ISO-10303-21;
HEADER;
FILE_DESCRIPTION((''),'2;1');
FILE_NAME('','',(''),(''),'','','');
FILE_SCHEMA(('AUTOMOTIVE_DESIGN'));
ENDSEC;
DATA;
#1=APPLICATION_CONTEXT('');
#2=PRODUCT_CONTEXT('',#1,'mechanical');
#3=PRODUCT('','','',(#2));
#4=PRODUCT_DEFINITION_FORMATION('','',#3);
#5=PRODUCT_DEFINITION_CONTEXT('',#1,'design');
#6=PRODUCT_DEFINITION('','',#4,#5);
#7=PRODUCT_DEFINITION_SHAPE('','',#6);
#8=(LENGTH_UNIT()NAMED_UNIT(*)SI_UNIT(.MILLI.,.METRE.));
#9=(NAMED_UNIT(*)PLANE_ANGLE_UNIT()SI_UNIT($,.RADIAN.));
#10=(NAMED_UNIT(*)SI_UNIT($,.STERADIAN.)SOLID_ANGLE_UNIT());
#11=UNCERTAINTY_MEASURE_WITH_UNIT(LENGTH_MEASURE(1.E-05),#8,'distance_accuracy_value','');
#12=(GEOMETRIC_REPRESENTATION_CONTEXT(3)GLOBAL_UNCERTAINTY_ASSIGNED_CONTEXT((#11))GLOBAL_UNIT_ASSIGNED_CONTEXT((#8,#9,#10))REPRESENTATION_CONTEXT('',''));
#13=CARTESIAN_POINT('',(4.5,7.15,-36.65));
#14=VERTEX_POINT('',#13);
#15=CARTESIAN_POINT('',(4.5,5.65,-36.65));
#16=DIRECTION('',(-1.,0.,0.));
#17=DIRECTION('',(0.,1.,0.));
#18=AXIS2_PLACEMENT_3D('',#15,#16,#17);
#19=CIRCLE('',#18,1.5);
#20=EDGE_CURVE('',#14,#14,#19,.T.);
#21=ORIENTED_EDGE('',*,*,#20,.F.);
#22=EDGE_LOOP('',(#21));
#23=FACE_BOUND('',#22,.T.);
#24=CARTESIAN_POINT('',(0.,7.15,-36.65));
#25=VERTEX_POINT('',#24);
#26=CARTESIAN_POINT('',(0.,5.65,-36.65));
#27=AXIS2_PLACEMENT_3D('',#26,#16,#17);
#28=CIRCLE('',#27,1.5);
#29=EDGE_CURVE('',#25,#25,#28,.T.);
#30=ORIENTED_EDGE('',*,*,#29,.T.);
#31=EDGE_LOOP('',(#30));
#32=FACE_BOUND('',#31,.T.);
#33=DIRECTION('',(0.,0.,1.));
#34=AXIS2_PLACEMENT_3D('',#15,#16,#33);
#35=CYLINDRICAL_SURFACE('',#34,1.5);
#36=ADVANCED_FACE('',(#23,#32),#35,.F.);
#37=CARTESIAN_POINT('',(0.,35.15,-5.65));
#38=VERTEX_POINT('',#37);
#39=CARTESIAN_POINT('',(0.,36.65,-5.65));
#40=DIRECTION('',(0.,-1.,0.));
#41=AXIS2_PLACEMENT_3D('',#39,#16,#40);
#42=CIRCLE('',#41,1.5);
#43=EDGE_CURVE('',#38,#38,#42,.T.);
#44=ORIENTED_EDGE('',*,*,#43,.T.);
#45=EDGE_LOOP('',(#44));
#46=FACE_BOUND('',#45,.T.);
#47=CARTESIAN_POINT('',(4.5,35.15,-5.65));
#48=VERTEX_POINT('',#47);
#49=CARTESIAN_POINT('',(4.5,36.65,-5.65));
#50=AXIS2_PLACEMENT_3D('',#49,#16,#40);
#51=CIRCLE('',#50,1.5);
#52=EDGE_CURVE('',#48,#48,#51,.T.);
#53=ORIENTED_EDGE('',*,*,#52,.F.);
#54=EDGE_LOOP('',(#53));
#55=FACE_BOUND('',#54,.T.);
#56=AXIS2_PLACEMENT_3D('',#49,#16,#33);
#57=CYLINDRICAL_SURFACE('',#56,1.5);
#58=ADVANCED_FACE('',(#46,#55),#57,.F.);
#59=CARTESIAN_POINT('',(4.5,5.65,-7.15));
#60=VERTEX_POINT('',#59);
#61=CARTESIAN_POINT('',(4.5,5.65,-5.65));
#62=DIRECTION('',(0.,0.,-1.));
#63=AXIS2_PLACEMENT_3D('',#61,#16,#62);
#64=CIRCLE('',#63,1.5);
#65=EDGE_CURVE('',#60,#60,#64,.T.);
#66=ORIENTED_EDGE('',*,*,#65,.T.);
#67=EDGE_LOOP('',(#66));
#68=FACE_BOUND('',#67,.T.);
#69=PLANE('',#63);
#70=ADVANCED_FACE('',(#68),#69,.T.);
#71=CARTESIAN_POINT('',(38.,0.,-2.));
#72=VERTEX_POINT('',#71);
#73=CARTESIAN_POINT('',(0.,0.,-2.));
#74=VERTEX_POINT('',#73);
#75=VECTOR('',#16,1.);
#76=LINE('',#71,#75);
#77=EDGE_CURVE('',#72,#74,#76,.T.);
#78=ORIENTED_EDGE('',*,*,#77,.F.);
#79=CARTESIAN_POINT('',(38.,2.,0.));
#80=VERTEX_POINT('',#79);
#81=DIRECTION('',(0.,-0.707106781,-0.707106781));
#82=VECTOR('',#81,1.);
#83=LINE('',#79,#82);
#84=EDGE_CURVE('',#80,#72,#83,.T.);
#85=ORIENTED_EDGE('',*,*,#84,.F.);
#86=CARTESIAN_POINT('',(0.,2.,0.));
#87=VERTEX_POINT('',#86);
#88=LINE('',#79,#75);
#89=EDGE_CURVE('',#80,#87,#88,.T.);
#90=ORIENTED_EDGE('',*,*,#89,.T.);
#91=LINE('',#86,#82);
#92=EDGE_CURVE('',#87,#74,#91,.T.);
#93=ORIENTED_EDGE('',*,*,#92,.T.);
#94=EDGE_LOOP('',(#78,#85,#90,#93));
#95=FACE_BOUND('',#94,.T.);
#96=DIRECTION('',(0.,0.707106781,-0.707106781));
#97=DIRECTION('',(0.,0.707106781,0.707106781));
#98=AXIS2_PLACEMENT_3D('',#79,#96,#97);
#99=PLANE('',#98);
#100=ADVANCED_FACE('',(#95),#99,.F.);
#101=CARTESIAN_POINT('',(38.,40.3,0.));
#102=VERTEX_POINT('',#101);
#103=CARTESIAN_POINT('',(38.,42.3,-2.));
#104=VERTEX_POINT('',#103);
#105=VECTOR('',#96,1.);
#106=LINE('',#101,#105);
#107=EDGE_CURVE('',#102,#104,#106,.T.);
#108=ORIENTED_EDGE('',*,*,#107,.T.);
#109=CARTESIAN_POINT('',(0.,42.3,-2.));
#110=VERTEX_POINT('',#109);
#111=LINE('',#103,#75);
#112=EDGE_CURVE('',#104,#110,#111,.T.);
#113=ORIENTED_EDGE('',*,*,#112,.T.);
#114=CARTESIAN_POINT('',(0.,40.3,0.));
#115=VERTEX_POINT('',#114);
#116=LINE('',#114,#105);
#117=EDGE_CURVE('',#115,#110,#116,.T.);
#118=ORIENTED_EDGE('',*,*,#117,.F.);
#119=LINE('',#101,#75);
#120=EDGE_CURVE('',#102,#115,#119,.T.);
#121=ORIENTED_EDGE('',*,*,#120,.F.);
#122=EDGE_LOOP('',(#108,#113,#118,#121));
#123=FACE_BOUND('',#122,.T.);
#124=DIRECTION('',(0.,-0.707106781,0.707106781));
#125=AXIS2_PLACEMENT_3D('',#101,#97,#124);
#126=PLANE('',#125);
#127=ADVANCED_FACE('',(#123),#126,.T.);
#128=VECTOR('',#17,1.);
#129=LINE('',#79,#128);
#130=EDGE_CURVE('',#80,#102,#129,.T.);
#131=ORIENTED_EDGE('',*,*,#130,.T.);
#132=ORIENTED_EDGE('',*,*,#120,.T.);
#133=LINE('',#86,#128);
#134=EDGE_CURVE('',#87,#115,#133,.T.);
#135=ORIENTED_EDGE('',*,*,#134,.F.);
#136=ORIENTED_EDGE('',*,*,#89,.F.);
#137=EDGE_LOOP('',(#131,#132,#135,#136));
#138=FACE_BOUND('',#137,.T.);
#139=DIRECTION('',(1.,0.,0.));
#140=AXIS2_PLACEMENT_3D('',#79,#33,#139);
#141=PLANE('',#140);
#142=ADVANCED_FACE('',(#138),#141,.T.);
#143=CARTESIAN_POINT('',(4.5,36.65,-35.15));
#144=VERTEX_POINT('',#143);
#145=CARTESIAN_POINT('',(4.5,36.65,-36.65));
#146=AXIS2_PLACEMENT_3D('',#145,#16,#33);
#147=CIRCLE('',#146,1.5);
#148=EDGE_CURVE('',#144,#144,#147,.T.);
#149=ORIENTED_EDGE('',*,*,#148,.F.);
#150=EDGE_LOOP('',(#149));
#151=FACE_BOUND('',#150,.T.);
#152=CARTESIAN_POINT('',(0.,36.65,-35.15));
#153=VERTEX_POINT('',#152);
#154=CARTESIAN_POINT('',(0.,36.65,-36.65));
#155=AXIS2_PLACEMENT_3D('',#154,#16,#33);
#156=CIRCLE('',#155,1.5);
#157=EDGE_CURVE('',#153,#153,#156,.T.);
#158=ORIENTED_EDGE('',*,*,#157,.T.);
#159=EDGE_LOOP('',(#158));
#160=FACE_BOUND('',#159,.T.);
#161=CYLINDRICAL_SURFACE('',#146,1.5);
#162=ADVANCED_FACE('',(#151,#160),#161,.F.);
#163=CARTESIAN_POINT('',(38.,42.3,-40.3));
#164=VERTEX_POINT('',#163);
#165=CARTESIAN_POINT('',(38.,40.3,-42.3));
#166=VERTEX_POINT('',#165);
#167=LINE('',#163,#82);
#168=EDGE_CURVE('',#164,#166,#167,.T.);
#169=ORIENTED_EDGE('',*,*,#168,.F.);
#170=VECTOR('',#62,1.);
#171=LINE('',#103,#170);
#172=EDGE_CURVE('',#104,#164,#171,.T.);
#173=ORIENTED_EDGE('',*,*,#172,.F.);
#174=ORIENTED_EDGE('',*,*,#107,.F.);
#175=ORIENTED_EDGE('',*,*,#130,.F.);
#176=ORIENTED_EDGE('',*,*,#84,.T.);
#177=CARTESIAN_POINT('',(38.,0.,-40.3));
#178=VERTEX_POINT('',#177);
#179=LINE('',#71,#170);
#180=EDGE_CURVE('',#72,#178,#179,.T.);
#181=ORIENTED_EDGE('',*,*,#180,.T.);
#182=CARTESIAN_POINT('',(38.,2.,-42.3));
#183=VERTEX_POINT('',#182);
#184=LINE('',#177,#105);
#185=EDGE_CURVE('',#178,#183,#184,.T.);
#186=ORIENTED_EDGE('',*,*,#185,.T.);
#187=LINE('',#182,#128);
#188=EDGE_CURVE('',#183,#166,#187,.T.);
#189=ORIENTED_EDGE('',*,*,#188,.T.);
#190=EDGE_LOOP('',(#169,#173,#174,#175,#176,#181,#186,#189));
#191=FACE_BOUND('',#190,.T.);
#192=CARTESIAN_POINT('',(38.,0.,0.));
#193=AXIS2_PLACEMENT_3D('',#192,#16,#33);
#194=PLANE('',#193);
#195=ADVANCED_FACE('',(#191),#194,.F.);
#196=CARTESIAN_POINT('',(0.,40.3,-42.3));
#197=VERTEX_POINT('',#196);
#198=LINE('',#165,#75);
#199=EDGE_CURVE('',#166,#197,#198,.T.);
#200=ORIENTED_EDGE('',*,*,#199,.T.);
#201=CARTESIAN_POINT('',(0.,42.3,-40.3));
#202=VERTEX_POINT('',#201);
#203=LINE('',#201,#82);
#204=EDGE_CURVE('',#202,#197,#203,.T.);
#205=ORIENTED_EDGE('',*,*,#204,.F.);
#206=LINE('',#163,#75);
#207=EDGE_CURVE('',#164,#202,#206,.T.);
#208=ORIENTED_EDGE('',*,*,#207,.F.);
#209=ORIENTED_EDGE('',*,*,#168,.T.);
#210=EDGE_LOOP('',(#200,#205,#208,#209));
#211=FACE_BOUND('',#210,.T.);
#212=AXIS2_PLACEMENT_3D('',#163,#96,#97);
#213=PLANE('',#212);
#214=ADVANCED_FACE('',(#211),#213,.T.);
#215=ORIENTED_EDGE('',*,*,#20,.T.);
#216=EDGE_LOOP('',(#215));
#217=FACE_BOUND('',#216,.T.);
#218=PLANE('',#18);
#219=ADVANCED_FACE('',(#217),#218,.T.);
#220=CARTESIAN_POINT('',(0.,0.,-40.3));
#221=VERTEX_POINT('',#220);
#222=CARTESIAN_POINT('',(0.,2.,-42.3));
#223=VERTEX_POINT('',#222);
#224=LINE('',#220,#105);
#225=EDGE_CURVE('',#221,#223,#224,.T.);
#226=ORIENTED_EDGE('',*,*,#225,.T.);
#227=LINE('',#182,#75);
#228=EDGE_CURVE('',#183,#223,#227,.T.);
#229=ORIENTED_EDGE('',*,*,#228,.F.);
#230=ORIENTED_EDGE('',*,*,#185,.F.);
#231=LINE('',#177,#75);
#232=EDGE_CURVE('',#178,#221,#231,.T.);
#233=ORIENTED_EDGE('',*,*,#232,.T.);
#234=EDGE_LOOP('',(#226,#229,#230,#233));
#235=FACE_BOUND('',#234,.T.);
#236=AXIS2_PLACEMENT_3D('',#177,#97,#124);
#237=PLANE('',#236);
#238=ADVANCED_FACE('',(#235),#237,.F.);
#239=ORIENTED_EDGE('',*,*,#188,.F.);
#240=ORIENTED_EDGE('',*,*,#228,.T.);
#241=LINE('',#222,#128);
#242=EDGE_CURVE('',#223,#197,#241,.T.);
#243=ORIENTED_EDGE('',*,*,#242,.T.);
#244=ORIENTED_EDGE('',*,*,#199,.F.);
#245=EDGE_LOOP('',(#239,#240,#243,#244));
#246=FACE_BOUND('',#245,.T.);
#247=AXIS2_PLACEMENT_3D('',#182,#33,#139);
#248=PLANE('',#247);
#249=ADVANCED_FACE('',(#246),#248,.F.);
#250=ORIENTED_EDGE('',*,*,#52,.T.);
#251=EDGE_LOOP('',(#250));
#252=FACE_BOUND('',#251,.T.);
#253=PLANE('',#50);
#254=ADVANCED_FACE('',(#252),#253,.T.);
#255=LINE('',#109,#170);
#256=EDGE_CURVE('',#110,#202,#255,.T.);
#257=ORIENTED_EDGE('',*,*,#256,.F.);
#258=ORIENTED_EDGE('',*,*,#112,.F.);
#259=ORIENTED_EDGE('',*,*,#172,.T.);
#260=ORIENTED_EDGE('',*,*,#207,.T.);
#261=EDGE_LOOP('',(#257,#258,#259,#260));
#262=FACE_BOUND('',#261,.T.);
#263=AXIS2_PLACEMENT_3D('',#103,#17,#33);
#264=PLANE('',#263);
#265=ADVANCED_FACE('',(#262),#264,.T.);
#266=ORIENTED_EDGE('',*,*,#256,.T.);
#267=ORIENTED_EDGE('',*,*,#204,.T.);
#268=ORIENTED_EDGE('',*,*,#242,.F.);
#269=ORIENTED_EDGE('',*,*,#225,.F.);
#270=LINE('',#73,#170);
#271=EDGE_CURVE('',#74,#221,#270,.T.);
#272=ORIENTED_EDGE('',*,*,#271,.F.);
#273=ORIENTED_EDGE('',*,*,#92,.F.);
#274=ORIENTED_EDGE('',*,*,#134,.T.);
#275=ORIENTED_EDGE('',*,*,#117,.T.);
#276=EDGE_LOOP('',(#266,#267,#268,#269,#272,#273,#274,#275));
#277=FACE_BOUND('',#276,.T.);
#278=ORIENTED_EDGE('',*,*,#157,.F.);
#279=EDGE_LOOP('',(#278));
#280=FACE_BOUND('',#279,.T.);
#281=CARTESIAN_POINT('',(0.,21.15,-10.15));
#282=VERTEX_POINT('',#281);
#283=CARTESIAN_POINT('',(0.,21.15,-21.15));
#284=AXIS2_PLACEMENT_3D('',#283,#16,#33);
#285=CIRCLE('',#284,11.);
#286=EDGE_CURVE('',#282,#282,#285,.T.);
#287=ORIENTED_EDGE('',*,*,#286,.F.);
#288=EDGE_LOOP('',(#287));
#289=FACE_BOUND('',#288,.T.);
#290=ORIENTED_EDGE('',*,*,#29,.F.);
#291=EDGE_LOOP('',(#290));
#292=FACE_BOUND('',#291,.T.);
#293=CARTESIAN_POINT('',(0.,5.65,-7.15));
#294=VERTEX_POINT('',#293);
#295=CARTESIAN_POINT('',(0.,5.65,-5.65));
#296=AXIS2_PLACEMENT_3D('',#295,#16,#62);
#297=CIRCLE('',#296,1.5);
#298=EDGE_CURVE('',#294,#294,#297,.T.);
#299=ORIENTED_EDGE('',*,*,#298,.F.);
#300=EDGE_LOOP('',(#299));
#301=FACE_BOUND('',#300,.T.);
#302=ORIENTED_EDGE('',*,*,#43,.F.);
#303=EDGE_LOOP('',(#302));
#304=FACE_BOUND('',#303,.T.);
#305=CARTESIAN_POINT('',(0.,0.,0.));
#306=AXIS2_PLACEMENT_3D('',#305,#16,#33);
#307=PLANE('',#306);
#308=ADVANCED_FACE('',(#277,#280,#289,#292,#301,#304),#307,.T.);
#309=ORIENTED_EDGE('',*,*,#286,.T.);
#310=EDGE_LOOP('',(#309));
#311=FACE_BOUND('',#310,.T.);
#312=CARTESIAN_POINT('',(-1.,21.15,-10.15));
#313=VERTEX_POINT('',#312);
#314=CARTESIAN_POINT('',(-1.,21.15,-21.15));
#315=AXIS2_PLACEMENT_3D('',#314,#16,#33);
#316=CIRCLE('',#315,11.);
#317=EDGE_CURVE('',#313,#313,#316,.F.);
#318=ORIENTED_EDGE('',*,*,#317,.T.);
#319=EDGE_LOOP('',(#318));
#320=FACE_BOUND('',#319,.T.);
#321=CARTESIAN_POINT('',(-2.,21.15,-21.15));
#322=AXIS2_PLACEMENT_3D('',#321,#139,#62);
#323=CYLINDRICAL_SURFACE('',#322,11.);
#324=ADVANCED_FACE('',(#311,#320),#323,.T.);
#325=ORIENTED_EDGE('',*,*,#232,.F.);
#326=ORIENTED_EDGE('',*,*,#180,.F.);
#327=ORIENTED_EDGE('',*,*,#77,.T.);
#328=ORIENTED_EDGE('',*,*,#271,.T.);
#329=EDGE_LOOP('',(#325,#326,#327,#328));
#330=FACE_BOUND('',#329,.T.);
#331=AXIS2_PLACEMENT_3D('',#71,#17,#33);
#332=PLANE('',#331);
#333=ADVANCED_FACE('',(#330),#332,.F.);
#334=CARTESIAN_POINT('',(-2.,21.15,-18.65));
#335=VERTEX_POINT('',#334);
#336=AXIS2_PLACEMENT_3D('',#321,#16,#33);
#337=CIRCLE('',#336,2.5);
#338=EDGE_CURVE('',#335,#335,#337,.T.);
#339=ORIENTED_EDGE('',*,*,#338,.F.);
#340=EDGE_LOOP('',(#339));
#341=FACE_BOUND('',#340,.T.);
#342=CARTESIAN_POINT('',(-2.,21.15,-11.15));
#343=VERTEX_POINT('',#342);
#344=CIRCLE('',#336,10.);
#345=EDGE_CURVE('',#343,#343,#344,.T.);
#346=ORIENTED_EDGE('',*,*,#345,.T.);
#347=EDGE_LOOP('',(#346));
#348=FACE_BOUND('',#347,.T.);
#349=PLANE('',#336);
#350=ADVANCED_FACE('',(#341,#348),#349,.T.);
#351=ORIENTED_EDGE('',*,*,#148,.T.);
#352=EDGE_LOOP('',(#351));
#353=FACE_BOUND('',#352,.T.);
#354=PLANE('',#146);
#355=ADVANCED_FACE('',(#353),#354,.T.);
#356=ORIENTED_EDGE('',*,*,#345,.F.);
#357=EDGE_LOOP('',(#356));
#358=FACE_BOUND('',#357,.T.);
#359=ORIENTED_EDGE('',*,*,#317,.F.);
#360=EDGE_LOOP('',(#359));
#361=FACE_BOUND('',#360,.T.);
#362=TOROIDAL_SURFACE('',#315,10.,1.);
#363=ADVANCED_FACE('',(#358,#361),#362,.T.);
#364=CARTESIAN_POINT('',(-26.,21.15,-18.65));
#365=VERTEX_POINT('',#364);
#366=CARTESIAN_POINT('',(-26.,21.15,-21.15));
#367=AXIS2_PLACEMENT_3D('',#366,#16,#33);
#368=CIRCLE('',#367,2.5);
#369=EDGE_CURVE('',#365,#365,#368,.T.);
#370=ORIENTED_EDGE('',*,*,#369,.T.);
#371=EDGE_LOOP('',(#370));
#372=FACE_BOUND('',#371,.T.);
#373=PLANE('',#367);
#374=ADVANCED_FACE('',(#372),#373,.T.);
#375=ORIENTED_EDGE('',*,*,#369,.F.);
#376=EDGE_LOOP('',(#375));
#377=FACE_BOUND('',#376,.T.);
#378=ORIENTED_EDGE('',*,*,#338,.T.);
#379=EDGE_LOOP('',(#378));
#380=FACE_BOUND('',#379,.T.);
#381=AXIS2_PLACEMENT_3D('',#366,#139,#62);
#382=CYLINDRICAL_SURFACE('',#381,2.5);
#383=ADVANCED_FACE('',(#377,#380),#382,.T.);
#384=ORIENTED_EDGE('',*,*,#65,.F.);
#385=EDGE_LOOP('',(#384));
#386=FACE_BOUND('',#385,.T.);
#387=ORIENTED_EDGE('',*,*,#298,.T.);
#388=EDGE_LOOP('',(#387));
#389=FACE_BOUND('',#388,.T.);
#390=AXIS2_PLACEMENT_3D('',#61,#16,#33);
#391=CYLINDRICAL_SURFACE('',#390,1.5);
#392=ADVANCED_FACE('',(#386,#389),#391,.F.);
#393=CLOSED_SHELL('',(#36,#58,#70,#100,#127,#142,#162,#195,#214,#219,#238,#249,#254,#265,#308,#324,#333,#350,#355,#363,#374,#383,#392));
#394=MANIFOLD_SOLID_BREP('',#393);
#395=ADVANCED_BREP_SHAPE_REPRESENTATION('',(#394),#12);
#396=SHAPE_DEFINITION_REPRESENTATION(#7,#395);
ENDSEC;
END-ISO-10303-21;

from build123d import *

# Parameters (mm, degrees)
EXTRUDE_2_DEPTH          = 38
SKETCH_2_R               = 11
EXTRUDE_3_DEPTH          = 2
FILLET_1_R               = 1
SKETCH_3_R               = 2.5
EXTRUDE_4_DEPTH          = 24
SKETCH_4_R               = 1.5
CUT_EXTRUDE_1_DEPTH      = 4.5
PATTERN_CIRCULAR_1_COUNT = 4


with BuildPart() as part:
    # 草图1 → 凸台-拉伸2 (new body)
    with BuildSketch(Plane(origin=(0, 0, 0), x_dir=(0, 0, -1), z_dir=(1, 0, 0))):
        Polygon((0, 40.3), (2, 42.3), (40.3, 42.3), (42.3, 40.3), (42.3, 2), (40.3, 0), (2, 0), (0, 2), align=None)
    extrude(amount=EXTRUDE_2_DEPTH)

    # 草图2 → 凸台-拉伸3 (add)
    with BuildSketch(Plane.ZY):
        with Locations((-21.15, 21.15)):
            Circle(SKETCH_2_R)
    extrude(amount=EXTRUDE_3_DEPTH)

    # 圆角1
    fillet_1_edges = [part.edges().sort_by_distance(p)[0] for p in [
        (-2, 21.15, -32.15),
    ]]
    fillet(fillet_1_edges, radius=FILLET_1_R)

    # 草图3 → 凸台-拉伸4 (add)
    with BuildSketch(Plane.ZY.offset(2)):
        with Locations((-21.15, 21.15)):
            Circle(SKETCH_3_R)
    extrude(amount=EXTRUDE_4_DEPTH)

    # 草图4 → 切除-拉伸1 (cut)
    with BuildSketch(Plane.ZY):
        with Locations((-36.65, 36.65)):
            Circle(SKETCH_4_R)
    cut_extrude_1 = extrude(amount=-CUT_EXTRUDE_1_DEPTH, mode=Mode.SUBTRACT)

    # 阵列(圆周)1: 切除-拉伸1 ×4 about axis
    pattern_circular_1_axis = Axis((0, 21.15, -21.15), (1, 0, 0))
    for i in range(1, PATTERN_CIRCULAR_1_COUNT):
        add(cut_extrude_1.rotate(pattern_circular_1_axis, i * 360 / PATTERN_CIRCULAR_1_COUNT), mode=Mode.SUBTRACT)


solid = part.part
